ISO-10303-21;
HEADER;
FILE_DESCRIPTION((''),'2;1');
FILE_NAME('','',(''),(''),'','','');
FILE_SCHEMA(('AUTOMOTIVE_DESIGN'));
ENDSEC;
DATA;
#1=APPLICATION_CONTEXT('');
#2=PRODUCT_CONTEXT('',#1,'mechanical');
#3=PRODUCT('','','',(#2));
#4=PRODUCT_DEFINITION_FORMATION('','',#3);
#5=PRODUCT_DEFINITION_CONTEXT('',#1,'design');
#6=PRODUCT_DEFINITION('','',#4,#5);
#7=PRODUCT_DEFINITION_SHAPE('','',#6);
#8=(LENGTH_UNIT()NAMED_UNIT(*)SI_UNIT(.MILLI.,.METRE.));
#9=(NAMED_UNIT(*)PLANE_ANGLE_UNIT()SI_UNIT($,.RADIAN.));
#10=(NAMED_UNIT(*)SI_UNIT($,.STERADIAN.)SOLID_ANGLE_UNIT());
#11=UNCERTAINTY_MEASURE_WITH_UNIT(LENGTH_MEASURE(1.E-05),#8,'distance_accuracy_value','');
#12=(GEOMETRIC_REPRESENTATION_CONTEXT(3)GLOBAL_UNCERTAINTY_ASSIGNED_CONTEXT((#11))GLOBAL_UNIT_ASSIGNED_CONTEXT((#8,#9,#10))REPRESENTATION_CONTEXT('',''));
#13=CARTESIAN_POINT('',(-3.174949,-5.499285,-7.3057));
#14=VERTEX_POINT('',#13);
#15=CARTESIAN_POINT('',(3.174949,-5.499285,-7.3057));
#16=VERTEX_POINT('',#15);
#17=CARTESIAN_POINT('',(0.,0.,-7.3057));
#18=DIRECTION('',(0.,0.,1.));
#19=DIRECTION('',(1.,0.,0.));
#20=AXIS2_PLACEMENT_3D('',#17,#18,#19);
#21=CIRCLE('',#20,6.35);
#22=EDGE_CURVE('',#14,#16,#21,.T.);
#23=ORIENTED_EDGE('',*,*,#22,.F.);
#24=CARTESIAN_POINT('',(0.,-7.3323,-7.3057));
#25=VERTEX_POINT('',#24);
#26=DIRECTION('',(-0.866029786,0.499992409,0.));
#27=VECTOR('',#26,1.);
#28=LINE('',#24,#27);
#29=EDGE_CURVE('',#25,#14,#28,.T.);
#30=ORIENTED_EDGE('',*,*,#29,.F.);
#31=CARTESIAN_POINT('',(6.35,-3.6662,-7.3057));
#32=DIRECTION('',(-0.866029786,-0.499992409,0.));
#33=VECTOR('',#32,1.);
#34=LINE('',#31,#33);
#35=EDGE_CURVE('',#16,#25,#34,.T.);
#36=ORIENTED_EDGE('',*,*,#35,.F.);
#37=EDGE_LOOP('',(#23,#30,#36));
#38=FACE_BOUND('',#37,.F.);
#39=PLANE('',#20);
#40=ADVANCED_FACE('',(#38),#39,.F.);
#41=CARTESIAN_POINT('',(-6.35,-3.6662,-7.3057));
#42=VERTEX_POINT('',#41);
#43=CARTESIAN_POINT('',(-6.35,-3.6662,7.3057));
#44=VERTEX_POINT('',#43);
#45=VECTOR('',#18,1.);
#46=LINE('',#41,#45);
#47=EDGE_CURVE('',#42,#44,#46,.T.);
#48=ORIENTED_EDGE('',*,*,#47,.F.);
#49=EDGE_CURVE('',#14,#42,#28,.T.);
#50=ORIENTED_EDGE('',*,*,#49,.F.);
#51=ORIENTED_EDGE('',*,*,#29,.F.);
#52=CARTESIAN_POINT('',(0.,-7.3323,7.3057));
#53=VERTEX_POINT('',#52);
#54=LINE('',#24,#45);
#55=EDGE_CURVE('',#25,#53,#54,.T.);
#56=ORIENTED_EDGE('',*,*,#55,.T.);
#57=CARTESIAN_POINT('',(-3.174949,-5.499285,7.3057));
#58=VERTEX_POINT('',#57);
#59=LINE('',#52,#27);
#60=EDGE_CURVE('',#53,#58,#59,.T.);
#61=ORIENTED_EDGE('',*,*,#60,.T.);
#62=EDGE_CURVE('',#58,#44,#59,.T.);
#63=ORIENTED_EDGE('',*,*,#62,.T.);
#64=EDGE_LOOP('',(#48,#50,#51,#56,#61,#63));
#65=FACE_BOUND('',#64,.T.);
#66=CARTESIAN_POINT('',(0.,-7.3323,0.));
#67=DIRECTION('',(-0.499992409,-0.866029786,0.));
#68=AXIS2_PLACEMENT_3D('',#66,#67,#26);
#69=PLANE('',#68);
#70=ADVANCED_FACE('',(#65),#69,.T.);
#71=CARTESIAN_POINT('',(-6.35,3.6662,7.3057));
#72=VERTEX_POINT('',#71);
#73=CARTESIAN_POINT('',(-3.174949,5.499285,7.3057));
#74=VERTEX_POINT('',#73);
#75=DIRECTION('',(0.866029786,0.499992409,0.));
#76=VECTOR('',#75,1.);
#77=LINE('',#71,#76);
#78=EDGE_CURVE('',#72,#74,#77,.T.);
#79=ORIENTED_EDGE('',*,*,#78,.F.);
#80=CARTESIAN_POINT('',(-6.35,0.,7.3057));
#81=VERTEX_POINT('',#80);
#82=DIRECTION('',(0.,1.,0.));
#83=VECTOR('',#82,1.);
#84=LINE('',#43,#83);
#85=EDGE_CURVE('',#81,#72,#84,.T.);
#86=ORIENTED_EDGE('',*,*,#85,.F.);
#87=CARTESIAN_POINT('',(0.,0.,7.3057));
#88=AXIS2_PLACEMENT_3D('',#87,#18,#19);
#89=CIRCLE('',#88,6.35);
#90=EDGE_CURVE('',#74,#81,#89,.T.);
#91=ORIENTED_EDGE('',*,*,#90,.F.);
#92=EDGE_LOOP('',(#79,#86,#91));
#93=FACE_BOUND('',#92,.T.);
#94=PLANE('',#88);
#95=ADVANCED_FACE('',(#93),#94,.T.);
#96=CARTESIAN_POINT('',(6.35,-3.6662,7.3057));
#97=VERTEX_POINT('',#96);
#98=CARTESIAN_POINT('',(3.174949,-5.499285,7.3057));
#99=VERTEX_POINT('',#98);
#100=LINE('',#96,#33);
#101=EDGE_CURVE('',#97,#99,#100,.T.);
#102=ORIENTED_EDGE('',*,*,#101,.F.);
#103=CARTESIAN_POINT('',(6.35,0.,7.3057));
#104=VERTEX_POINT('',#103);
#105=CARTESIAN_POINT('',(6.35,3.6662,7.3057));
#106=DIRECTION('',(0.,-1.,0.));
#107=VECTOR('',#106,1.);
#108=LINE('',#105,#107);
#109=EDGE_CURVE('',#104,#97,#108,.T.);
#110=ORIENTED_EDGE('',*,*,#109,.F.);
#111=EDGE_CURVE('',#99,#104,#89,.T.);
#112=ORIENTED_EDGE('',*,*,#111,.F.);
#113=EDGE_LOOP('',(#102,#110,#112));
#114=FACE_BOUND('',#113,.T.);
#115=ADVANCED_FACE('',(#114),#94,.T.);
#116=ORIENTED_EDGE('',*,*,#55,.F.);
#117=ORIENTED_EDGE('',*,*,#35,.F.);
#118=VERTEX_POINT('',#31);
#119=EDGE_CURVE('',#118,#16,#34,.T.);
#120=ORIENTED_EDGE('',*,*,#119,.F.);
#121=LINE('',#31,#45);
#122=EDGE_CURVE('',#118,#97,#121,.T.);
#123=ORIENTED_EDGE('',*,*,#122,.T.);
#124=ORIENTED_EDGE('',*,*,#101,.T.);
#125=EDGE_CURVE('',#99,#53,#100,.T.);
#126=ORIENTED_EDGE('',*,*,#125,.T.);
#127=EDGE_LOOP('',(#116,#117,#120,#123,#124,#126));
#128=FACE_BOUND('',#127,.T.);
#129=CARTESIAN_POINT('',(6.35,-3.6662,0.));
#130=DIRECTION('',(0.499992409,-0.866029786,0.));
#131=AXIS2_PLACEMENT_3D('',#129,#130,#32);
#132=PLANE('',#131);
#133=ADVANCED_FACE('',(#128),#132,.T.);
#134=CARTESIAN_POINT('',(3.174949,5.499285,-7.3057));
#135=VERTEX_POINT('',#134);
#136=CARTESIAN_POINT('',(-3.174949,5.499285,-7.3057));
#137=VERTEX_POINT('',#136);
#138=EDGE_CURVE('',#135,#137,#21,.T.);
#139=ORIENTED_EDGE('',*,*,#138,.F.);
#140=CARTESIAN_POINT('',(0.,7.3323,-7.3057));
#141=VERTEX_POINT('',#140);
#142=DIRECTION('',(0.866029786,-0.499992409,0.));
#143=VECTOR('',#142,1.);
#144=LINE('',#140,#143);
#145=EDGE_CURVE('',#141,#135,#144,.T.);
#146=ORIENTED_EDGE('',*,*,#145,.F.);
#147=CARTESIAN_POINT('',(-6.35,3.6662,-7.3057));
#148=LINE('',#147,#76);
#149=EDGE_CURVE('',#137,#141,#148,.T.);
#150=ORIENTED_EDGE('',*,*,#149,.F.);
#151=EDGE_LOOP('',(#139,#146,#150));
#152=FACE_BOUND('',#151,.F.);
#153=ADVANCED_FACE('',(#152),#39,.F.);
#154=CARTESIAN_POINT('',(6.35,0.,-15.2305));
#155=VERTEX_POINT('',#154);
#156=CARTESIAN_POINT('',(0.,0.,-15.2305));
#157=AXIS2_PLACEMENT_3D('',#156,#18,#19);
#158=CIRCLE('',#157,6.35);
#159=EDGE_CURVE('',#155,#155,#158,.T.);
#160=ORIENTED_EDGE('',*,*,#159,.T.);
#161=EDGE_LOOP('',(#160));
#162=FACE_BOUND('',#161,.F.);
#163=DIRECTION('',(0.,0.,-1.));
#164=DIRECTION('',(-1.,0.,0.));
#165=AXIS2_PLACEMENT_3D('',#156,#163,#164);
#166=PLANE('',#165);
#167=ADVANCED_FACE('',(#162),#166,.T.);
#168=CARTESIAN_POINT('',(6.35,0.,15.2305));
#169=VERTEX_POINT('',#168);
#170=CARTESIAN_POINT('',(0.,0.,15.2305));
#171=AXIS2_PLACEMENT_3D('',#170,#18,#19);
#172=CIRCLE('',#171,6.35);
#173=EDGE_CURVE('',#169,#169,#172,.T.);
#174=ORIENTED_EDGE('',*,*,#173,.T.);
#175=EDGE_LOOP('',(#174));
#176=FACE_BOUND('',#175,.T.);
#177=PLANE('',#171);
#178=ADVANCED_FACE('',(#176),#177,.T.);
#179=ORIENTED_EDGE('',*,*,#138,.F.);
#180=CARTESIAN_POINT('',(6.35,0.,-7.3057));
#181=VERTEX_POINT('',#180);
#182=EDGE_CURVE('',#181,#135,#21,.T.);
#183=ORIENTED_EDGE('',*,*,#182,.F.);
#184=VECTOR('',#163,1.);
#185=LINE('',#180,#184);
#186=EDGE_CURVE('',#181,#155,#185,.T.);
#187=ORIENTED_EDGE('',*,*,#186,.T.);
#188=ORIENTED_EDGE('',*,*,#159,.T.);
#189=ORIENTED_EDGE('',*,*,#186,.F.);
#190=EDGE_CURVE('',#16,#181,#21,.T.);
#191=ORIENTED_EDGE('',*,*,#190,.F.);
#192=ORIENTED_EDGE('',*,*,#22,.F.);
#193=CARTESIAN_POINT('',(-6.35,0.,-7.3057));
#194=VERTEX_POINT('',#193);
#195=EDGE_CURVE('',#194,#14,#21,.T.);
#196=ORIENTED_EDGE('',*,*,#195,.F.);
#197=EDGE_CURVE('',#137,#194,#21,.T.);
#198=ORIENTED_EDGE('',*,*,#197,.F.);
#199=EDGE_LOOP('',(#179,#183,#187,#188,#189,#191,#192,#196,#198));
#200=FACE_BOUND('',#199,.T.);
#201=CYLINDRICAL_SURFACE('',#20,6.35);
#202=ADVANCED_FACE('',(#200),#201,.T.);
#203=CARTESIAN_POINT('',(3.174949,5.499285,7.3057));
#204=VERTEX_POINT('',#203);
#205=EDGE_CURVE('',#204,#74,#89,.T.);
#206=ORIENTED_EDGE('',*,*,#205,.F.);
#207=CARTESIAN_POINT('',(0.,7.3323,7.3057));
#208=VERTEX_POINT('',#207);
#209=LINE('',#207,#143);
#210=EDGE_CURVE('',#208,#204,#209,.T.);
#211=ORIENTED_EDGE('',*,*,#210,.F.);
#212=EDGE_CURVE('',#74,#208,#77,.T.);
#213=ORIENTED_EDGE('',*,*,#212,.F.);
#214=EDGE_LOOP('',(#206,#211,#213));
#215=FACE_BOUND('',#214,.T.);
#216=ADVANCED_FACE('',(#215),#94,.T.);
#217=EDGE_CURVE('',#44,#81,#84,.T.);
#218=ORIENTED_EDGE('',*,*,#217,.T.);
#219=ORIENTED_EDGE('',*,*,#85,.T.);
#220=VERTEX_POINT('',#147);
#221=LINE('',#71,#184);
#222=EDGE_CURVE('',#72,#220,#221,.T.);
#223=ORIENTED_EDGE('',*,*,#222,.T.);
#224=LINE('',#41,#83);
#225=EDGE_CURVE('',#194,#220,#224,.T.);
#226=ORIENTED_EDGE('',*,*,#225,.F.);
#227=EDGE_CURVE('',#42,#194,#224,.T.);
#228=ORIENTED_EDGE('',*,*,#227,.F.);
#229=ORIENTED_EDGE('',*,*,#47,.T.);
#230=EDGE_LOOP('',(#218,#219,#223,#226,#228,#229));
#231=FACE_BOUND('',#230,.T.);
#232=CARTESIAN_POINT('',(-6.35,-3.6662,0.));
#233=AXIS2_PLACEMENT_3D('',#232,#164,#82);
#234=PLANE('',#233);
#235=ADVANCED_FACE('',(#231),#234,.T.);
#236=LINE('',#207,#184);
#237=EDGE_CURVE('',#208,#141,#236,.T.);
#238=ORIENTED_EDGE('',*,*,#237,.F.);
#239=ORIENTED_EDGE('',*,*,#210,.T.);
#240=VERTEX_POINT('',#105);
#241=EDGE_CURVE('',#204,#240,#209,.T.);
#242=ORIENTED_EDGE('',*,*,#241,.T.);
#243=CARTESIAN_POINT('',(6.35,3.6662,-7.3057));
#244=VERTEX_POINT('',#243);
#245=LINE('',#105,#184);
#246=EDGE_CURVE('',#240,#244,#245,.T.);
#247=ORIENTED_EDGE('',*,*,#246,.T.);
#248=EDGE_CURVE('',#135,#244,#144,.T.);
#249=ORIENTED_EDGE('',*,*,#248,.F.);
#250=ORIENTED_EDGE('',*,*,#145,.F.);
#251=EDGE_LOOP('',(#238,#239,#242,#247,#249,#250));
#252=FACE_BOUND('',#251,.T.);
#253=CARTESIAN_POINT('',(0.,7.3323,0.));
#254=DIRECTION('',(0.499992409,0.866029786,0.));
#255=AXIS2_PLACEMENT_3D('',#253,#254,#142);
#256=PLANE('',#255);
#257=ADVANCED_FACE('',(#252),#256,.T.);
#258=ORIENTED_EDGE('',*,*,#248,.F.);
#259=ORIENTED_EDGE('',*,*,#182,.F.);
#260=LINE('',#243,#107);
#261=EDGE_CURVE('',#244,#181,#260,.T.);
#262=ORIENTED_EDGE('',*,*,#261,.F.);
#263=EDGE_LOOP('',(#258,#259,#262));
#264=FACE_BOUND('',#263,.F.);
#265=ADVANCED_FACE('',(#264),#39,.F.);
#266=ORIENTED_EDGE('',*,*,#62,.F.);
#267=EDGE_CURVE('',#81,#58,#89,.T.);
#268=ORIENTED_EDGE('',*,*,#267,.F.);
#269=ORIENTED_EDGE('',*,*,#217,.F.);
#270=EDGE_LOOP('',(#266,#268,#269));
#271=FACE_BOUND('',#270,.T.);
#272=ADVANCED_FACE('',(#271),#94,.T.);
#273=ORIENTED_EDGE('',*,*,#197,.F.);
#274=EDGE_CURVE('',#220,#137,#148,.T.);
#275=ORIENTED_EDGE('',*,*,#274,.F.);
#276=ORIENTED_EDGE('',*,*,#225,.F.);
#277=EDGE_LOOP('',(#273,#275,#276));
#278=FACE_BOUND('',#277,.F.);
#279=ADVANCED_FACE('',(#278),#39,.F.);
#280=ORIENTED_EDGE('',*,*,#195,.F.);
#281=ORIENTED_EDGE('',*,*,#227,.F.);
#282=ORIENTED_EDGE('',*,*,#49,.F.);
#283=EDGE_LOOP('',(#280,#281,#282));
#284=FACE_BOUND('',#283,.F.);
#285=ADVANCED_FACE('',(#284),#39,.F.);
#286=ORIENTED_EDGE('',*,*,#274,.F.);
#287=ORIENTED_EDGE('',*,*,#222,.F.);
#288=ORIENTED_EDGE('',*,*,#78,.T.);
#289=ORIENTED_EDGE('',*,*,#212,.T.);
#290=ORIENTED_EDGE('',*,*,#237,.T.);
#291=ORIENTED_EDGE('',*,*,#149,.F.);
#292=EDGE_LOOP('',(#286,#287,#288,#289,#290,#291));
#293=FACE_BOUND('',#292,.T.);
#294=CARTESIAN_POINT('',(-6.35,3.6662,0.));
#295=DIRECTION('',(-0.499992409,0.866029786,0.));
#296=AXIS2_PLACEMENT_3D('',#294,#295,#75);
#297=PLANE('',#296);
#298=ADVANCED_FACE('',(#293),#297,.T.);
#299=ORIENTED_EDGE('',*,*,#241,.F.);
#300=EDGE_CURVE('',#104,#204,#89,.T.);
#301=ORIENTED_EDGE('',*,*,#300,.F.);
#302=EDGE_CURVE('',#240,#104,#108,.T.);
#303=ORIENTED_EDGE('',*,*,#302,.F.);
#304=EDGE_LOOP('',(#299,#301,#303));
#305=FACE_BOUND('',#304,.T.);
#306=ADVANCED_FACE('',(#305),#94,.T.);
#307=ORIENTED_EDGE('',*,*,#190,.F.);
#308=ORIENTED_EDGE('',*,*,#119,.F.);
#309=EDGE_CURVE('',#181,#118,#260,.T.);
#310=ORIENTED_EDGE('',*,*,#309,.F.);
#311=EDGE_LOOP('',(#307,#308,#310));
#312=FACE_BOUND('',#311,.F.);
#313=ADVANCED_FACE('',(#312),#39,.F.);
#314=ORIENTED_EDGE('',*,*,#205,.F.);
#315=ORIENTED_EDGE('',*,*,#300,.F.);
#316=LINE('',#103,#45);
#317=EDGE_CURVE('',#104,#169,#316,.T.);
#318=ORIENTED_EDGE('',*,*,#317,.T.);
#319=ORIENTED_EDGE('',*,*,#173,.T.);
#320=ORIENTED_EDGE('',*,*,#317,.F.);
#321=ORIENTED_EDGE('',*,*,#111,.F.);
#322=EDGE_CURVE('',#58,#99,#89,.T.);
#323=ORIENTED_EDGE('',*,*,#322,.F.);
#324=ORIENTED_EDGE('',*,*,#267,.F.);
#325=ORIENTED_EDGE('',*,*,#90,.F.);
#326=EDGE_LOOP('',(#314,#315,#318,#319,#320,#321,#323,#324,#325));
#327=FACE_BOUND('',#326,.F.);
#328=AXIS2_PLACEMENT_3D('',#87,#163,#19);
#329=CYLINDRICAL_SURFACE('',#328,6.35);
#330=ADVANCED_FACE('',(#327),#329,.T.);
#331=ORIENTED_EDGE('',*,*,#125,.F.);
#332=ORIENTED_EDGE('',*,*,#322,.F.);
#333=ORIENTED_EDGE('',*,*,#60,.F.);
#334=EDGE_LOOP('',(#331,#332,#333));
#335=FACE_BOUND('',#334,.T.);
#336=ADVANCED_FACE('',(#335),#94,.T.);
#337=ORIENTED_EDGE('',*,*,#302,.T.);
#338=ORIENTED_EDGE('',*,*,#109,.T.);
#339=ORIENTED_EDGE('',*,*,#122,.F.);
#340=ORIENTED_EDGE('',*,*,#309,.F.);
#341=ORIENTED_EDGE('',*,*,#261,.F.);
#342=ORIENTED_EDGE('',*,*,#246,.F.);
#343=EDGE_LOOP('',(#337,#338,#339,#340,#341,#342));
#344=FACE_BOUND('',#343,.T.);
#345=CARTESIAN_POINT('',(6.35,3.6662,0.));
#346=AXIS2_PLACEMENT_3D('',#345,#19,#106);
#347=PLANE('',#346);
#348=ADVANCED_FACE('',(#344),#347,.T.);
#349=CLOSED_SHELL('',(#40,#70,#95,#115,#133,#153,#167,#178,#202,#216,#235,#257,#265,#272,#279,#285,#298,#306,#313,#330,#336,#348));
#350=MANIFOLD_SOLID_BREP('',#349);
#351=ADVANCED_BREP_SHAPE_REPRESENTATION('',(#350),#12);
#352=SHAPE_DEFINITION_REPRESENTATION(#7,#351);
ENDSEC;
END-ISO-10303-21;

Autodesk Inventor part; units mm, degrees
ref_plane "YZ Plane" through (0, 0, 0) normal (1, 0, 0) x (0, 1, 0)
ref_plane "XZ Plane" through (0, 0, 0) normal (0, 1, 0) x (-1, 0, 0)
ref_plane "XY Plane" through (0, 0, 0) normal (0, 0, 1) x (1, 0, 0)
sketch "Sketch1" plane through (0, 0, 0) normal (0, 0, 1) x (1, 0, 0)
  line L0 (-6.35, -3.6662) -> (-6.35, 3.6662)
  line L1 (-6.35, 3.6662) -> (0, 7.3323)
  line L2 (0, 7.3323) -> (6.35, 3.6662)
  line L3 (6.35, 3.6662) -> (6.35, -3.6662)
  line L4 (6.35, -3.6662) -> (0, -7.3323)
  line L5 (0, -7.3323) -> (-6.35, -3.6662)
  point P0 (0, 0)
  point P1 (0, 0)
  dimension "Size" = 12.7
extrude "Extrusion1" add sketch "Sketch1" along normal mid plane 14.6114
sketch "Sketch2" plane through (0, 0, 7.3057) normal (0, 0, 1) x (1, 0, 0)
  line L0 (-6.35, 3.6662) -> (-6.35, -3.6662) construction
  line L1 (-6.35, -3.6662) -> (0, -7.3323) construction
  line L2 (0, -7.3323) -> (6.35, -3.6662) construction
  line L3 (6.35, -3.6662) -> (6.35, 3.6662) construction
  line L4 (6.35, 3.6662) -> (0, 7.3323) construction
  line L5 (0, 7.3323) -> (-6.35, 3.6662) construction
  circle A0 centre (0, 0) radius 6.35
extrude "Extrusion2" add sketch "Sketch2" along normal blind 7.9248
mirror "Mirror1" about plane through (0, 0, 0) normal (0, 0, 1) of "Extrusion2"
properties part number "EL2-CGB-011" material "Aluminum 6061"
